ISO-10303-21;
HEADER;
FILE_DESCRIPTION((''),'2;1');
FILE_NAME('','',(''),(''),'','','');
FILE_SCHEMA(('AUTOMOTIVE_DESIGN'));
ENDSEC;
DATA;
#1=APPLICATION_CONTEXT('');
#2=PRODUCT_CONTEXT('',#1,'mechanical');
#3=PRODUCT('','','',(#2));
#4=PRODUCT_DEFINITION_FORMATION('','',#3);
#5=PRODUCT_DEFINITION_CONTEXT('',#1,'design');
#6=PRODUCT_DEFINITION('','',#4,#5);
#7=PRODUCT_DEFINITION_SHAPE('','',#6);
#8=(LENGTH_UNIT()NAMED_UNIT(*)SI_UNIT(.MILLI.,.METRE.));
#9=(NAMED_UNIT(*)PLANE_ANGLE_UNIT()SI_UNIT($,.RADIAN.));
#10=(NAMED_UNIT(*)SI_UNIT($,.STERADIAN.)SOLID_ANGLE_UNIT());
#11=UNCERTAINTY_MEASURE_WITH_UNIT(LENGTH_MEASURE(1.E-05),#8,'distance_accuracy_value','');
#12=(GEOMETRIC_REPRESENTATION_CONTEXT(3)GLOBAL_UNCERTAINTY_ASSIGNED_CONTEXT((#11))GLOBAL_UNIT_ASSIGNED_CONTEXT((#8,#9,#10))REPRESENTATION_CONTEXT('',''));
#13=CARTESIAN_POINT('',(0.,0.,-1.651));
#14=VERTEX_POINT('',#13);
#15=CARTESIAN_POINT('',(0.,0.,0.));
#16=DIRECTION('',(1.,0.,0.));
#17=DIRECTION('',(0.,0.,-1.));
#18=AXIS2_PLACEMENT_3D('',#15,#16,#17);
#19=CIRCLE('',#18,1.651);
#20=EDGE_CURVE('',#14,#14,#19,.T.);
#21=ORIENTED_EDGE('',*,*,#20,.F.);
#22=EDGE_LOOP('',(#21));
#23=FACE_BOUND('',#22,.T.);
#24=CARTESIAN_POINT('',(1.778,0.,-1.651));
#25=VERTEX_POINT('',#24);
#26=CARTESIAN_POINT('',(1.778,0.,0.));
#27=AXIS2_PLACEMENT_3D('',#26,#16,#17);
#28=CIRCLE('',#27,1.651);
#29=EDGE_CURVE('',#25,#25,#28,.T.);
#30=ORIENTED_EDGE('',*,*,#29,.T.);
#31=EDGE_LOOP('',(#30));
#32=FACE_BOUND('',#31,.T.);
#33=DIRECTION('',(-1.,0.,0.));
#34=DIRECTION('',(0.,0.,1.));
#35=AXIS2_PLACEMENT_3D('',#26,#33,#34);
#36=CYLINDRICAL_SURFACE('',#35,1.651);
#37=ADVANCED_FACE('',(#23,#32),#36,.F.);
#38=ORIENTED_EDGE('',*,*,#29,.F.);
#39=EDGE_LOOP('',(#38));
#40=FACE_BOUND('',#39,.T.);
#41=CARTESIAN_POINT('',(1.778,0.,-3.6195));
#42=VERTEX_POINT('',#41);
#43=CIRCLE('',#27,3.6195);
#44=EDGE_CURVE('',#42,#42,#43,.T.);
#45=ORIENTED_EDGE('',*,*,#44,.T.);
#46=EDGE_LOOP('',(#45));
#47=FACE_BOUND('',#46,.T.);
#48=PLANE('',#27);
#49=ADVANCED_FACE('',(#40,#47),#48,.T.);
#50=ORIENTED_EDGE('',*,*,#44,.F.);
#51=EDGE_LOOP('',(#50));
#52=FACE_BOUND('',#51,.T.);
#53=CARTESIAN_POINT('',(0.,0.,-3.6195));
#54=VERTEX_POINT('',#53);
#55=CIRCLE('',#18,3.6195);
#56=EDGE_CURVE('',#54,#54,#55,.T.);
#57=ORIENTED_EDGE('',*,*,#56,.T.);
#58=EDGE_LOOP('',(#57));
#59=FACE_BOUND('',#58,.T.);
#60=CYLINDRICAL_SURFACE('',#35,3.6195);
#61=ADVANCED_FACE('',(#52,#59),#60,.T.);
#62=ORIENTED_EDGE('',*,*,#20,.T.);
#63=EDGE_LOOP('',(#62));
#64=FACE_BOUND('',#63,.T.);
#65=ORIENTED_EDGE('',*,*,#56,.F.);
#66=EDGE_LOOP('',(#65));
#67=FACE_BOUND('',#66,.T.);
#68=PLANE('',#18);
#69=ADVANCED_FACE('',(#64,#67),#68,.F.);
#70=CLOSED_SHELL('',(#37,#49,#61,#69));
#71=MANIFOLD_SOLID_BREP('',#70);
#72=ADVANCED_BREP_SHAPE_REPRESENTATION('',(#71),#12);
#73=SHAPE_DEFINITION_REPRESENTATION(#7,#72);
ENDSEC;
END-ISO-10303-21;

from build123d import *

# Parameters (mm, degrees)
SKETCH1_R           = 3.6195
SKETCH1_R_2         = 1.651
BOSS_EXTRUDE1_DEPTH = 1.778


with BuildPart() as part:
    # Sketch1 → Boss-Extrude1 (new body)
    with BuildSketch(Plane(origin=(0, 0, 0), x_dir=(0, 0, -1), z_dir=(1, 0, 0))):
        Circle(SKETCH1_R)
        Circle(SKETCH1_R_2, mode=Mode.SUBTRACT)
    extrude(amount=BOSS_EXTRUDE1_DEPTH)


solid = part.part
